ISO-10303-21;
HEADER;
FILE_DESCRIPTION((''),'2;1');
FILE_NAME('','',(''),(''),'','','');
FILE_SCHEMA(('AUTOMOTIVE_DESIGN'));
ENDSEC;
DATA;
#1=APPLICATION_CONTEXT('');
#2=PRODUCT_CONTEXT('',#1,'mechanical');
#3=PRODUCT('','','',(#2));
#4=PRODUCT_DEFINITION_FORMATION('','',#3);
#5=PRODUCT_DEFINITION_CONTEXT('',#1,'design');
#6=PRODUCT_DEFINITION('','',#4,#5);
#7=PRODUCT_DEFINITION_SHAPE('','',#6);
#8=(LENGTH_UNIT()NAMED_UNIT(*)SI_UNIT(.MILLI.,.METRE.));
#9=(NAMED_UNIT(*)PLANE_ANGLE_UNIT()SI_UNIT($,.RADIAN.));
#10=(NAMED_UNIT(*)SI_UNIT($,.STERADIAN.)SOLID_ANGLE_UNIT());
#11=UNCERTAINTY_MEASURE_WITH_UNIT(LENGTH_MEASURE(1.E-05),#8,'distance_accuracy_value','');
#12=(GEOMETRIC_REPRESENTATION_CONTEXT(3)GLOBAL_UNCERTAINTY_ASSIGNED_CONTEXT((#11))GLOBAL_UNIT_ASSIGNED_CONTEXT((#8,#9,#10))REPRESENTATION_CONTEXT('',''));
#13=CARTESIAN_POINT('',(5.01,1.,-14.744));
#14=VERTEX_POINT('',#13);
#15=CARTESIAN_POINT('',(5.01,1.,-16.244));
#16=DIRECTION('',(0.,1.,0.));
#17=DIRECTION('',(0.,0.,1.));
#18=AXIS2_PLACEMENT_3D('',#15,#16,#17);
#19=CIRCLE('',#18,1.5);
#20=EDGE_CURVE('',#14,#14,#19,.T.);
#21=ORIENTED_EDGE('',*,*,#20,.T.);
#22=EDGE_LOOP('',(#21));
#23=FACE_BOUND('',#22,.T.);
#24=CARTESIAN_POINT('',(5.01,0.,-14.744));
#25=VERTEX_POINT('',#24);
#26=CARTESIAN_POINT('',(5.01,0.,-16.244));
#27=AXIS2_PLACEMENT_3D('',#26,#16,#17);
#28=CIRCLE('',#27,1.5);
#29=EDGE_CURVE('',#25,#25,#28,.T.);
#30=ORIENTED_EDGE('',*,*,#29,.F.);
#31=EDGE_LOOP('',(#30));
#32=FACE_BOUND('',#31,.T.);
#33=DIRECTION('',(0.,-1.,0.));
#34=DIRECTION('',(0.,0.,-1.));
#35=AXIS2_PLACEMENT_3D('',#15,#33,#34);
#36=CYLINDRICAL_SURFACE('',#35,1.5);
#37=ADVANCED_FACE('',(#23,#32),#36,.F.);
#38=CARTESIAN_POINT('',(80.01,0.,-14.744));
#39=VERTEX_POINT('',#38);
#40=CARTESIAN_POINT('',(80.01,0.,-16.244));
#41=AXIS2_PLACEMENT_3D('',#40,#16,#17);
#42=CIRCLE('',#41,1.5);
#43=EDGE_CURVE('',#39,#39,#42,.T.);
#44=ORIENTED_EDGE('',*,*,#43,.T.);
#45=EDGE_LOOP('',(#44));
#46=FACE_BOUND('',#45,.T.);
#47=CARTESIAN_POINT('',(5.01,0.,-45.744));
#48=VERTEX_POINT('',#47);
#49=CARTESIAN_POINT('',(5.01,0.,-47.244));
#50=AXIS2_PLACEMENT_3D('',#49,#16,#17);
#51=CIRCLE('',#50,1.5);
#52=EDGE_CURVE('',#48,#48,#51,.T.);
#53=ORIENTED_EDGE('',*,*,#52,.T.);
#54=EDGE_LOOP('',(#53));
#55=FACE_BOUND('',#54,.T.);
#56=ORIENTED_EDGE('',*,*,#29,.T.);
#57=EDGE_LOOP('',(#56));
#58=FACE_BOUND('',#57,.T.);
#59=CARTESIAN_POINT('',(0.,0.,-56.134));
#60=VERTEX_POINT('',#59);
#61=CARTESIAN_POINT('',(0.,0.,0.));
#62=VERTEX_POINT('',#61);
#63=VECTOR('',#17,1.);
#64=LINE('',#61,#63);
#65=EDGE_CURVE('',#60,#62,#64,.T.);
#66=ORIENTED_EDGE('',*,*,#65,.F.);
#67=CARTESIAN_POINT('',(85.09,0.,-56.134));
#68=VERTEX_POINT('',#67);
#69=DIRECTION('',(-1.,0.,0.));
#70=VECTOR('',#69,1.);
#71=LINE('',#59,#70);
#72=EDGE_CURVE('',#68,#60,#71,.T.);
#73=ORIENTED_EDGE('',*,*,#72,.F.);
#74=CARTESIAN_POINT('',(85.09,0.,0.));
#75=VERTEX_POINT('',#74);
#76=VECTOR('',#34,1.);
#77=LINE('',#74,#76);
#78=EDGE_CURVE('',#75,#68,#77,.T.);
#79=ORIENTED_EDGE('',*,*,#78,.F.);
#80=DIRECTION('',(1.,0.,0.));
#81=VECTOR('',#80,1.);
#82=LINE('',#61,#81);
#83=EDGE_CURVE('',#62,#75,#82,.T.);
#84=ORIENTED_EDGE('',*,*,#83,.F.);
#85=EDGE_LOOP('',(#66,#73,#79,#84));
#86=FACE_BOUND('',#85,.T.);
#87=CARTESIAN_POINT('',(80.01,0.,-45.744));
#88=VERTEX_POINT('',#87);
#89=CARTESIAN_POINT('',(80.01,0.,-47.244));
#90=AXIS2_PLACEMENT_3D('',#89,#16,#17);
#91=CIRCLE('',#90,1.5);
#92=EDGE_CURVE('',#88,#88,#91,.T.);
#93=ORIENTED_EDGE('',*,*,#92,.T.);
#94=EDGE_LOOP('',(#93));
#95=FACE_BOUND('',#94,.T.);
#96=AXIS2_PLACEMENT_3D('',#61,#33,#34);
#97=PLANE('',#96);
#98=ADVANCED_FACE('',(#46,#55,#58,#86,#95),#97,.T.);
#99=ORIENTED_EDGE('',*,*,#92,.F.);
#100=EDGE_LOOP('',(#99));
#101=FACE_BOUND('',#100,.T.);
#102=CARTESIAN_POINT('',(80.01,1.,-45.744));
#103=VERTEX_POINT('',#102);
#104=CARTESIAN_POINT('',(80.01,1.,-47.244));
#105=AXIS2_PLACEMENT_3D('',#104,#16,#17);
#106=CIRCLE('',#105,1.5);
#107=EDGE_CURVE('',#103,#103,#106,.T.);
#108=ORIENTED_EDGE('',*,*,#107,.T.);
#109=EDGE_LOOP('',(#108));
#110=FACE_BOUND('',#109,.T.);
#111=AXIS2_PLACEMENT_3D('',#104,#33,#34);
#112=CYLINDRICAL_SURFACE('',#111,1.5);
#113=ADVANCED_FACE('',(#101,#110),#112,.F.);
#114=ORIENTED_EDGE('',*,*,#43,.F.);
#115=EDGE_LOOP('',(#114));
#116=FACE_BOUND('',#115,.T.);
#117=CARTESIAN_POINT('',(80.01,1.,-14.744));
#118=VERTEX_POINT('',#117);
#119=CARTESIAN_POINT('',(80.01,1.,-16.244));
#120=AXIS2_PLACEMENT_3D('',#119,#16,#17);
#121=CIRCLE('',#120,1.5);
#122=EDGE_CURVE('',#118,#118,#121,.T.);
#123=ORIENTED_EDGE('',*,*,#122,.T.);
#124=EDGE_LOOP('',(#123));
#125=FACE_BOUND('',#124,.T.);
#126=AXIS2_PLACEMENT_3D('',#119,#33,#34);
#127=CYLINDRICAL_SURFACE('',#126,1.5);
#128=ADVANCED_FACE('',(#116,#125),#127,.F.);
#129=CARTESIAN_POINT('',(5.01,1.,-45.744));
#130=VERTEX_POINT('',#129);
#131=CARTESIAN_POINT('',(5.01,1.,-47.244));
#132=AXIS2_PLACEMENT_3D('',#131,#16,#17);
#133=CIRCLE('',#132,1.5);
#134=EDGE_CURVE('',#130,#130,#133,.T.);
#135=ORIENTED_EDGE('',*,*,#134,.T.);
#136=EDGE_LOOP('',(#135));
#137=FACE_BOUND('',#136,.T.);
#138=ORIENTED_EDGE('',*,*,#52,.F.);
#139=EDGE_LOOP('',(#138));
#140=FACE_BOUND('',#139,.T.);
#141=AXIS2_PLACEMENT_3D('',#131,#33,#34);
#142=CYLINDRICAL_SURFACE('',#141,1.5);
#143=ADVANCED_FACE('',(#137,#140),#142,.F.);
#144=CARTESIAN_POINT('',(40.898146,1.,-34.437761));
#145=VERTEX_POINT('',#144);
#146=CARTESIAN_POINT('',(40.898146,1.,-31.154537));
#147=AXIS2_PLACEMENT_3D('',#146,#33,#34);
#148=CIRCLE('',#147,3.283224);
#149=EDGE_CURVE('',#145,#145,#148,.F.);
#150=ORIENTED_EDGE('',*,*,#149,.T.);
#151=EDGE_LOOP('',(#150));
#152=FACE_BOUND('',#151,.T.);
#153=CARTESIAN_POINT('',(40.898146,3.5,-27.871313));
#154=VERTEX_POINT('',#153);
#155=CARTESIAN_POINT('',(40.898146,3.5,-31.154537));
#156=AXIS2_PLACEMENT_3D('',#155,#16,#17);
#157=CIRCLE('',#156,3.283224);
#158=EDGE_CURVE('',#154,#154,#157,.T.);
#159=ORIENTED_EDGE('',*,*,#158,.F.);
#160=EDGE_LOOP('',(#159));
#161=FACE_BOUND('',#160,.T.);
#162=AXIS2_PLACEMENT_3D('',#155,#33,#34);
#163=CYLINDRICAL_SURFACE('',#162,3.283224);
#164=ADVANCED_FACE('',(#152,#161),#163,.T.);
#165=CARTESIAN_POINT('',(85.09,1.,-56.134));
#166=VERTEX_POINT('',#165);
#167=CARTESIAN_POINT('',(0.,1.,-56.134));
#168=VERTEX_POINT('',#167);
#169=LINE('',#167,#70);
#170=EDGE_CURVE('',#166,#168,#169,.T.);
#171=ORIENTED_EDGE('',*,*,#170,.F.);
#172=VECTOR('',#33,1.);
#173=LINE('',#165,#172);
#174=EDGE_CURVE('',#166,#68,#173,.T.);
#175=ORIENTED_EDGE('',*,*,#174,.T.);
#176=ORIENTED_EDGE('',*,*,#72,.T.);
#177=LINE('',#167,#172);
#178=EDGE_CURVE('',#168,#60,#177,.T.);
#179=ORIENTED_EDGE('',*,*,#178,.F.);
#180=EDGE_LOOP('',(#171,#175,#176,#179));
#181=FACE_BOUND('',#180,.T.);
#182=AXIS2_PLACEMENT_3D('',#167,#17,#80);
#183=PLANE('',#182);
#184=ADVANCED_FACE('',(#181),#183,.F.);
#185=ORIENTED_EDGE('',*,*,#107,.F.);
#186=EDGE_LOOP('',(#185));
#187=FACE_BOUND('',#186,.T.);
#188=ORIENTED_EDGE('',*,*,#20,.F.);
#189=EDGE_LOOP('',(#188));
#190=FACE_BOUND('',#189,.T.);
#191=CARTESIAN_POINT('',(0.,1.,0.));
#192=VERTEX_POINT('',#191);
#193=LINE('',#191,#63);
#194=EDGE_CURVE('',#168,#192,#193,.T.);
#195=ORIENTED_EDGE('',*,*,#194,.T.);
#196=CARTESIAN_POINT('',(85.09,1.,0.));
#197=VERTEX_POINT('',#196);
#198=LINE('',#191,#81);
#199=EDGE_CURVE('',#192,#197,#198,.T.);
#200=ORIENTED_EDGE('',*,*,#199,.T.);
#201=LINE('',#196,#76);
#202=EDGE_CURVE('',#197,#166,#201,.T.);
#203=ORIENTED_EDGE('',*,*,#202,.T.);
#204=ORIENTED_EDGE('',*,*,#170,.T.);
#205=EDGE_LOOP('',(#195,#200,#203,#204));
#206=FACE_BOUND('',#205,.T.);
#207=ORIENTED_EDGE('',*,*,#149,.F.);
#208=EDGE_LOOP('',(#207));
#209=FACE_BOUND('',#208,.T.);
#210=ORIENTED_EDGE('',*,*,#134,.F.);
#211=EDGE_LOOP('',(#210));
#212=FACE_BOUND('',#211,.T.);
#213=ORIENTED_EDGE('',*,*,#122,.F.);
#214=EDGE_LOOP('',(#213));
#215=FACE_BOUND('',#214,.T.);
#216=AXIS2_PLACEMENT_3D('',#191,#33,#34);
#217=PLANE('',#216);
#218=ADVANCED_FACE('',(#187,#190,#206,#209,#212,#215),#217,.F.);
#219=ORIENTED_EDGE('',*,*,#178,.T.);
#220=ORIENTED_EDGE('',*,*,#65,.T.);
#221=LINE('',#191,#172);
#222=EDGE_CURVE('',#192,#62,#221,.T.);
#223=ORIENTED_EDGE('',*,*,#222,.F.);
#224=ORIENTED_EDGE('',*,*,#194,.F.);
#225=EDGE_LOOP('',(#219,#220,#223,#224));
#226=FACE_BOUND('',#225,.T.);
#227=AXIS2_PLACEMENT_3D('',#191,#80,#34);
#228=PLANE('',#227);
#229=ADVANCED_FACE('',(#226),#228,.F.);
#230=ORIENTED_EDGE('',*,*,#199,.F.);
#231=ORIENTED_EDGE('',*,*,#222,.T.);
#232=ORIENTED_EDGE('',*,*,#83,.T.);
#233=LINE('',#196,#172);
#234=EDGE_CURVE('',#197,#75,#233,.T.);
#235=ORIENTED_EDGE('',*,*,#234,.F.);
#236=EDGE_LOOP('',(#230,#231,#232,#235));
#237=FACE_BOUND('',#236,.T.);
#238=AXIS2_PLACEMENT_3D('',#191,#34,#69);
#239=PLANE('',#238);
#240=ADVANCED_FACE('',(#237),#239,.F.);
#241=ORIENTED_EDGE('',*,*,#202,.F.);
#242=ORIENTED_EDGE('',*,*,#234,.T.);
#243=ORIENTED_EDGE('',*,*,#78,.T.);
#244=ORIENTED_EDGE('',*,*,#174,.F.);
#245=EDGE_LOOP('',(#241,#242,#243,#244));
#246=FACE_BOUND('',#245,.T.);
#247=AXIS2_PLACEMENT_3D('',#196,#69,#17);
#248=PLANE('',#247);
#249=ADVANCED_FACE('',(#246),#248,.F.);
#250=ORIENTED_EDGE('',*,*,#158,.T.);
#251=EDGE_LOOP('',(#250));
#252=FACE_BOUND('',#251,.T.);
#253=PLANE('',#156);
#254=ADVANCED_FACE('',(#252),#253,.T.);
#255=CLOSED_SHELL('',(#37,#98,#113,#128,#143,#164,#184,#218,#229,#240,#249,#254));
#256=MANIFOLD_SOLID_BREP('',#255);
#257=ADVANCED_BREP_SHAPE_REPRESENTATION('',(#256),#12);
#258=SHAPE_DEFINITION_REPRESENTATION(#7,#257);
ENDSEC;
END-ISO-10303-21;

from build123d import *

# Parameters (mm, degrees)
SKETCH1_W           = 85.09
SKETCH1_H           = 56.134
SKETCH1_R           = 1.5
BOSS_EXTRUDE1_DEPTH = 1
SKETCH2_R           = 3.283223987
BOSS_EXTRUDE2_DEPTH = 2.5


with BuildPart() as part:
    # Sketch1 → Boss-Extrude1 (new body)
    with BuildSketch(Plane(origin=(0, 0, 0), x_dir=(1, 0, 0), z_dir=(0, 1, 0))):
        with Locations((42.545, 28.067)):
            Rectangle(SKETCH1_W, SKETCH1_H)
        with Locations(Location((5.01, 47.244, 0), (0, 0, 270))):
            Circle(SKETCH1_R, mode=Mode.SUBTRACT)
        with Locations(Location((80.01, 47.244, 0), (0, 0, 270))):
            Circle(SKETCH1_R, mode=Mode.SUBTRACT)
        with Locations(Location((5.01, 16.244, 0), (0, 0, 270))):
            Circle(SKETCH1_R, mode=Mode.SUBTRACT)
        with Locations(Location((80.01, 16.244, 0), (0, 0, 270))):
            Circle(SKETCH1_R, mode=Mode.SUBTRACT)
    extrude(amount=BOSS_EXTRUDE1_DEPTH)

    # Sketch2 → Boss-Extrude2 (add)
    with BuildSketch(Plane(origin=(0, 1, 0), x_dir=(1, 0, 0), z_dir=(0, 1, 0))):
        with Locations(Location((40.898145706, 31.154537448, 0), (0, 0, 90))):
            Circle(SKETCH2_R)
    extrude(amount=BOSS_EXTRUDE2_DEPTH)


solid = part.part
